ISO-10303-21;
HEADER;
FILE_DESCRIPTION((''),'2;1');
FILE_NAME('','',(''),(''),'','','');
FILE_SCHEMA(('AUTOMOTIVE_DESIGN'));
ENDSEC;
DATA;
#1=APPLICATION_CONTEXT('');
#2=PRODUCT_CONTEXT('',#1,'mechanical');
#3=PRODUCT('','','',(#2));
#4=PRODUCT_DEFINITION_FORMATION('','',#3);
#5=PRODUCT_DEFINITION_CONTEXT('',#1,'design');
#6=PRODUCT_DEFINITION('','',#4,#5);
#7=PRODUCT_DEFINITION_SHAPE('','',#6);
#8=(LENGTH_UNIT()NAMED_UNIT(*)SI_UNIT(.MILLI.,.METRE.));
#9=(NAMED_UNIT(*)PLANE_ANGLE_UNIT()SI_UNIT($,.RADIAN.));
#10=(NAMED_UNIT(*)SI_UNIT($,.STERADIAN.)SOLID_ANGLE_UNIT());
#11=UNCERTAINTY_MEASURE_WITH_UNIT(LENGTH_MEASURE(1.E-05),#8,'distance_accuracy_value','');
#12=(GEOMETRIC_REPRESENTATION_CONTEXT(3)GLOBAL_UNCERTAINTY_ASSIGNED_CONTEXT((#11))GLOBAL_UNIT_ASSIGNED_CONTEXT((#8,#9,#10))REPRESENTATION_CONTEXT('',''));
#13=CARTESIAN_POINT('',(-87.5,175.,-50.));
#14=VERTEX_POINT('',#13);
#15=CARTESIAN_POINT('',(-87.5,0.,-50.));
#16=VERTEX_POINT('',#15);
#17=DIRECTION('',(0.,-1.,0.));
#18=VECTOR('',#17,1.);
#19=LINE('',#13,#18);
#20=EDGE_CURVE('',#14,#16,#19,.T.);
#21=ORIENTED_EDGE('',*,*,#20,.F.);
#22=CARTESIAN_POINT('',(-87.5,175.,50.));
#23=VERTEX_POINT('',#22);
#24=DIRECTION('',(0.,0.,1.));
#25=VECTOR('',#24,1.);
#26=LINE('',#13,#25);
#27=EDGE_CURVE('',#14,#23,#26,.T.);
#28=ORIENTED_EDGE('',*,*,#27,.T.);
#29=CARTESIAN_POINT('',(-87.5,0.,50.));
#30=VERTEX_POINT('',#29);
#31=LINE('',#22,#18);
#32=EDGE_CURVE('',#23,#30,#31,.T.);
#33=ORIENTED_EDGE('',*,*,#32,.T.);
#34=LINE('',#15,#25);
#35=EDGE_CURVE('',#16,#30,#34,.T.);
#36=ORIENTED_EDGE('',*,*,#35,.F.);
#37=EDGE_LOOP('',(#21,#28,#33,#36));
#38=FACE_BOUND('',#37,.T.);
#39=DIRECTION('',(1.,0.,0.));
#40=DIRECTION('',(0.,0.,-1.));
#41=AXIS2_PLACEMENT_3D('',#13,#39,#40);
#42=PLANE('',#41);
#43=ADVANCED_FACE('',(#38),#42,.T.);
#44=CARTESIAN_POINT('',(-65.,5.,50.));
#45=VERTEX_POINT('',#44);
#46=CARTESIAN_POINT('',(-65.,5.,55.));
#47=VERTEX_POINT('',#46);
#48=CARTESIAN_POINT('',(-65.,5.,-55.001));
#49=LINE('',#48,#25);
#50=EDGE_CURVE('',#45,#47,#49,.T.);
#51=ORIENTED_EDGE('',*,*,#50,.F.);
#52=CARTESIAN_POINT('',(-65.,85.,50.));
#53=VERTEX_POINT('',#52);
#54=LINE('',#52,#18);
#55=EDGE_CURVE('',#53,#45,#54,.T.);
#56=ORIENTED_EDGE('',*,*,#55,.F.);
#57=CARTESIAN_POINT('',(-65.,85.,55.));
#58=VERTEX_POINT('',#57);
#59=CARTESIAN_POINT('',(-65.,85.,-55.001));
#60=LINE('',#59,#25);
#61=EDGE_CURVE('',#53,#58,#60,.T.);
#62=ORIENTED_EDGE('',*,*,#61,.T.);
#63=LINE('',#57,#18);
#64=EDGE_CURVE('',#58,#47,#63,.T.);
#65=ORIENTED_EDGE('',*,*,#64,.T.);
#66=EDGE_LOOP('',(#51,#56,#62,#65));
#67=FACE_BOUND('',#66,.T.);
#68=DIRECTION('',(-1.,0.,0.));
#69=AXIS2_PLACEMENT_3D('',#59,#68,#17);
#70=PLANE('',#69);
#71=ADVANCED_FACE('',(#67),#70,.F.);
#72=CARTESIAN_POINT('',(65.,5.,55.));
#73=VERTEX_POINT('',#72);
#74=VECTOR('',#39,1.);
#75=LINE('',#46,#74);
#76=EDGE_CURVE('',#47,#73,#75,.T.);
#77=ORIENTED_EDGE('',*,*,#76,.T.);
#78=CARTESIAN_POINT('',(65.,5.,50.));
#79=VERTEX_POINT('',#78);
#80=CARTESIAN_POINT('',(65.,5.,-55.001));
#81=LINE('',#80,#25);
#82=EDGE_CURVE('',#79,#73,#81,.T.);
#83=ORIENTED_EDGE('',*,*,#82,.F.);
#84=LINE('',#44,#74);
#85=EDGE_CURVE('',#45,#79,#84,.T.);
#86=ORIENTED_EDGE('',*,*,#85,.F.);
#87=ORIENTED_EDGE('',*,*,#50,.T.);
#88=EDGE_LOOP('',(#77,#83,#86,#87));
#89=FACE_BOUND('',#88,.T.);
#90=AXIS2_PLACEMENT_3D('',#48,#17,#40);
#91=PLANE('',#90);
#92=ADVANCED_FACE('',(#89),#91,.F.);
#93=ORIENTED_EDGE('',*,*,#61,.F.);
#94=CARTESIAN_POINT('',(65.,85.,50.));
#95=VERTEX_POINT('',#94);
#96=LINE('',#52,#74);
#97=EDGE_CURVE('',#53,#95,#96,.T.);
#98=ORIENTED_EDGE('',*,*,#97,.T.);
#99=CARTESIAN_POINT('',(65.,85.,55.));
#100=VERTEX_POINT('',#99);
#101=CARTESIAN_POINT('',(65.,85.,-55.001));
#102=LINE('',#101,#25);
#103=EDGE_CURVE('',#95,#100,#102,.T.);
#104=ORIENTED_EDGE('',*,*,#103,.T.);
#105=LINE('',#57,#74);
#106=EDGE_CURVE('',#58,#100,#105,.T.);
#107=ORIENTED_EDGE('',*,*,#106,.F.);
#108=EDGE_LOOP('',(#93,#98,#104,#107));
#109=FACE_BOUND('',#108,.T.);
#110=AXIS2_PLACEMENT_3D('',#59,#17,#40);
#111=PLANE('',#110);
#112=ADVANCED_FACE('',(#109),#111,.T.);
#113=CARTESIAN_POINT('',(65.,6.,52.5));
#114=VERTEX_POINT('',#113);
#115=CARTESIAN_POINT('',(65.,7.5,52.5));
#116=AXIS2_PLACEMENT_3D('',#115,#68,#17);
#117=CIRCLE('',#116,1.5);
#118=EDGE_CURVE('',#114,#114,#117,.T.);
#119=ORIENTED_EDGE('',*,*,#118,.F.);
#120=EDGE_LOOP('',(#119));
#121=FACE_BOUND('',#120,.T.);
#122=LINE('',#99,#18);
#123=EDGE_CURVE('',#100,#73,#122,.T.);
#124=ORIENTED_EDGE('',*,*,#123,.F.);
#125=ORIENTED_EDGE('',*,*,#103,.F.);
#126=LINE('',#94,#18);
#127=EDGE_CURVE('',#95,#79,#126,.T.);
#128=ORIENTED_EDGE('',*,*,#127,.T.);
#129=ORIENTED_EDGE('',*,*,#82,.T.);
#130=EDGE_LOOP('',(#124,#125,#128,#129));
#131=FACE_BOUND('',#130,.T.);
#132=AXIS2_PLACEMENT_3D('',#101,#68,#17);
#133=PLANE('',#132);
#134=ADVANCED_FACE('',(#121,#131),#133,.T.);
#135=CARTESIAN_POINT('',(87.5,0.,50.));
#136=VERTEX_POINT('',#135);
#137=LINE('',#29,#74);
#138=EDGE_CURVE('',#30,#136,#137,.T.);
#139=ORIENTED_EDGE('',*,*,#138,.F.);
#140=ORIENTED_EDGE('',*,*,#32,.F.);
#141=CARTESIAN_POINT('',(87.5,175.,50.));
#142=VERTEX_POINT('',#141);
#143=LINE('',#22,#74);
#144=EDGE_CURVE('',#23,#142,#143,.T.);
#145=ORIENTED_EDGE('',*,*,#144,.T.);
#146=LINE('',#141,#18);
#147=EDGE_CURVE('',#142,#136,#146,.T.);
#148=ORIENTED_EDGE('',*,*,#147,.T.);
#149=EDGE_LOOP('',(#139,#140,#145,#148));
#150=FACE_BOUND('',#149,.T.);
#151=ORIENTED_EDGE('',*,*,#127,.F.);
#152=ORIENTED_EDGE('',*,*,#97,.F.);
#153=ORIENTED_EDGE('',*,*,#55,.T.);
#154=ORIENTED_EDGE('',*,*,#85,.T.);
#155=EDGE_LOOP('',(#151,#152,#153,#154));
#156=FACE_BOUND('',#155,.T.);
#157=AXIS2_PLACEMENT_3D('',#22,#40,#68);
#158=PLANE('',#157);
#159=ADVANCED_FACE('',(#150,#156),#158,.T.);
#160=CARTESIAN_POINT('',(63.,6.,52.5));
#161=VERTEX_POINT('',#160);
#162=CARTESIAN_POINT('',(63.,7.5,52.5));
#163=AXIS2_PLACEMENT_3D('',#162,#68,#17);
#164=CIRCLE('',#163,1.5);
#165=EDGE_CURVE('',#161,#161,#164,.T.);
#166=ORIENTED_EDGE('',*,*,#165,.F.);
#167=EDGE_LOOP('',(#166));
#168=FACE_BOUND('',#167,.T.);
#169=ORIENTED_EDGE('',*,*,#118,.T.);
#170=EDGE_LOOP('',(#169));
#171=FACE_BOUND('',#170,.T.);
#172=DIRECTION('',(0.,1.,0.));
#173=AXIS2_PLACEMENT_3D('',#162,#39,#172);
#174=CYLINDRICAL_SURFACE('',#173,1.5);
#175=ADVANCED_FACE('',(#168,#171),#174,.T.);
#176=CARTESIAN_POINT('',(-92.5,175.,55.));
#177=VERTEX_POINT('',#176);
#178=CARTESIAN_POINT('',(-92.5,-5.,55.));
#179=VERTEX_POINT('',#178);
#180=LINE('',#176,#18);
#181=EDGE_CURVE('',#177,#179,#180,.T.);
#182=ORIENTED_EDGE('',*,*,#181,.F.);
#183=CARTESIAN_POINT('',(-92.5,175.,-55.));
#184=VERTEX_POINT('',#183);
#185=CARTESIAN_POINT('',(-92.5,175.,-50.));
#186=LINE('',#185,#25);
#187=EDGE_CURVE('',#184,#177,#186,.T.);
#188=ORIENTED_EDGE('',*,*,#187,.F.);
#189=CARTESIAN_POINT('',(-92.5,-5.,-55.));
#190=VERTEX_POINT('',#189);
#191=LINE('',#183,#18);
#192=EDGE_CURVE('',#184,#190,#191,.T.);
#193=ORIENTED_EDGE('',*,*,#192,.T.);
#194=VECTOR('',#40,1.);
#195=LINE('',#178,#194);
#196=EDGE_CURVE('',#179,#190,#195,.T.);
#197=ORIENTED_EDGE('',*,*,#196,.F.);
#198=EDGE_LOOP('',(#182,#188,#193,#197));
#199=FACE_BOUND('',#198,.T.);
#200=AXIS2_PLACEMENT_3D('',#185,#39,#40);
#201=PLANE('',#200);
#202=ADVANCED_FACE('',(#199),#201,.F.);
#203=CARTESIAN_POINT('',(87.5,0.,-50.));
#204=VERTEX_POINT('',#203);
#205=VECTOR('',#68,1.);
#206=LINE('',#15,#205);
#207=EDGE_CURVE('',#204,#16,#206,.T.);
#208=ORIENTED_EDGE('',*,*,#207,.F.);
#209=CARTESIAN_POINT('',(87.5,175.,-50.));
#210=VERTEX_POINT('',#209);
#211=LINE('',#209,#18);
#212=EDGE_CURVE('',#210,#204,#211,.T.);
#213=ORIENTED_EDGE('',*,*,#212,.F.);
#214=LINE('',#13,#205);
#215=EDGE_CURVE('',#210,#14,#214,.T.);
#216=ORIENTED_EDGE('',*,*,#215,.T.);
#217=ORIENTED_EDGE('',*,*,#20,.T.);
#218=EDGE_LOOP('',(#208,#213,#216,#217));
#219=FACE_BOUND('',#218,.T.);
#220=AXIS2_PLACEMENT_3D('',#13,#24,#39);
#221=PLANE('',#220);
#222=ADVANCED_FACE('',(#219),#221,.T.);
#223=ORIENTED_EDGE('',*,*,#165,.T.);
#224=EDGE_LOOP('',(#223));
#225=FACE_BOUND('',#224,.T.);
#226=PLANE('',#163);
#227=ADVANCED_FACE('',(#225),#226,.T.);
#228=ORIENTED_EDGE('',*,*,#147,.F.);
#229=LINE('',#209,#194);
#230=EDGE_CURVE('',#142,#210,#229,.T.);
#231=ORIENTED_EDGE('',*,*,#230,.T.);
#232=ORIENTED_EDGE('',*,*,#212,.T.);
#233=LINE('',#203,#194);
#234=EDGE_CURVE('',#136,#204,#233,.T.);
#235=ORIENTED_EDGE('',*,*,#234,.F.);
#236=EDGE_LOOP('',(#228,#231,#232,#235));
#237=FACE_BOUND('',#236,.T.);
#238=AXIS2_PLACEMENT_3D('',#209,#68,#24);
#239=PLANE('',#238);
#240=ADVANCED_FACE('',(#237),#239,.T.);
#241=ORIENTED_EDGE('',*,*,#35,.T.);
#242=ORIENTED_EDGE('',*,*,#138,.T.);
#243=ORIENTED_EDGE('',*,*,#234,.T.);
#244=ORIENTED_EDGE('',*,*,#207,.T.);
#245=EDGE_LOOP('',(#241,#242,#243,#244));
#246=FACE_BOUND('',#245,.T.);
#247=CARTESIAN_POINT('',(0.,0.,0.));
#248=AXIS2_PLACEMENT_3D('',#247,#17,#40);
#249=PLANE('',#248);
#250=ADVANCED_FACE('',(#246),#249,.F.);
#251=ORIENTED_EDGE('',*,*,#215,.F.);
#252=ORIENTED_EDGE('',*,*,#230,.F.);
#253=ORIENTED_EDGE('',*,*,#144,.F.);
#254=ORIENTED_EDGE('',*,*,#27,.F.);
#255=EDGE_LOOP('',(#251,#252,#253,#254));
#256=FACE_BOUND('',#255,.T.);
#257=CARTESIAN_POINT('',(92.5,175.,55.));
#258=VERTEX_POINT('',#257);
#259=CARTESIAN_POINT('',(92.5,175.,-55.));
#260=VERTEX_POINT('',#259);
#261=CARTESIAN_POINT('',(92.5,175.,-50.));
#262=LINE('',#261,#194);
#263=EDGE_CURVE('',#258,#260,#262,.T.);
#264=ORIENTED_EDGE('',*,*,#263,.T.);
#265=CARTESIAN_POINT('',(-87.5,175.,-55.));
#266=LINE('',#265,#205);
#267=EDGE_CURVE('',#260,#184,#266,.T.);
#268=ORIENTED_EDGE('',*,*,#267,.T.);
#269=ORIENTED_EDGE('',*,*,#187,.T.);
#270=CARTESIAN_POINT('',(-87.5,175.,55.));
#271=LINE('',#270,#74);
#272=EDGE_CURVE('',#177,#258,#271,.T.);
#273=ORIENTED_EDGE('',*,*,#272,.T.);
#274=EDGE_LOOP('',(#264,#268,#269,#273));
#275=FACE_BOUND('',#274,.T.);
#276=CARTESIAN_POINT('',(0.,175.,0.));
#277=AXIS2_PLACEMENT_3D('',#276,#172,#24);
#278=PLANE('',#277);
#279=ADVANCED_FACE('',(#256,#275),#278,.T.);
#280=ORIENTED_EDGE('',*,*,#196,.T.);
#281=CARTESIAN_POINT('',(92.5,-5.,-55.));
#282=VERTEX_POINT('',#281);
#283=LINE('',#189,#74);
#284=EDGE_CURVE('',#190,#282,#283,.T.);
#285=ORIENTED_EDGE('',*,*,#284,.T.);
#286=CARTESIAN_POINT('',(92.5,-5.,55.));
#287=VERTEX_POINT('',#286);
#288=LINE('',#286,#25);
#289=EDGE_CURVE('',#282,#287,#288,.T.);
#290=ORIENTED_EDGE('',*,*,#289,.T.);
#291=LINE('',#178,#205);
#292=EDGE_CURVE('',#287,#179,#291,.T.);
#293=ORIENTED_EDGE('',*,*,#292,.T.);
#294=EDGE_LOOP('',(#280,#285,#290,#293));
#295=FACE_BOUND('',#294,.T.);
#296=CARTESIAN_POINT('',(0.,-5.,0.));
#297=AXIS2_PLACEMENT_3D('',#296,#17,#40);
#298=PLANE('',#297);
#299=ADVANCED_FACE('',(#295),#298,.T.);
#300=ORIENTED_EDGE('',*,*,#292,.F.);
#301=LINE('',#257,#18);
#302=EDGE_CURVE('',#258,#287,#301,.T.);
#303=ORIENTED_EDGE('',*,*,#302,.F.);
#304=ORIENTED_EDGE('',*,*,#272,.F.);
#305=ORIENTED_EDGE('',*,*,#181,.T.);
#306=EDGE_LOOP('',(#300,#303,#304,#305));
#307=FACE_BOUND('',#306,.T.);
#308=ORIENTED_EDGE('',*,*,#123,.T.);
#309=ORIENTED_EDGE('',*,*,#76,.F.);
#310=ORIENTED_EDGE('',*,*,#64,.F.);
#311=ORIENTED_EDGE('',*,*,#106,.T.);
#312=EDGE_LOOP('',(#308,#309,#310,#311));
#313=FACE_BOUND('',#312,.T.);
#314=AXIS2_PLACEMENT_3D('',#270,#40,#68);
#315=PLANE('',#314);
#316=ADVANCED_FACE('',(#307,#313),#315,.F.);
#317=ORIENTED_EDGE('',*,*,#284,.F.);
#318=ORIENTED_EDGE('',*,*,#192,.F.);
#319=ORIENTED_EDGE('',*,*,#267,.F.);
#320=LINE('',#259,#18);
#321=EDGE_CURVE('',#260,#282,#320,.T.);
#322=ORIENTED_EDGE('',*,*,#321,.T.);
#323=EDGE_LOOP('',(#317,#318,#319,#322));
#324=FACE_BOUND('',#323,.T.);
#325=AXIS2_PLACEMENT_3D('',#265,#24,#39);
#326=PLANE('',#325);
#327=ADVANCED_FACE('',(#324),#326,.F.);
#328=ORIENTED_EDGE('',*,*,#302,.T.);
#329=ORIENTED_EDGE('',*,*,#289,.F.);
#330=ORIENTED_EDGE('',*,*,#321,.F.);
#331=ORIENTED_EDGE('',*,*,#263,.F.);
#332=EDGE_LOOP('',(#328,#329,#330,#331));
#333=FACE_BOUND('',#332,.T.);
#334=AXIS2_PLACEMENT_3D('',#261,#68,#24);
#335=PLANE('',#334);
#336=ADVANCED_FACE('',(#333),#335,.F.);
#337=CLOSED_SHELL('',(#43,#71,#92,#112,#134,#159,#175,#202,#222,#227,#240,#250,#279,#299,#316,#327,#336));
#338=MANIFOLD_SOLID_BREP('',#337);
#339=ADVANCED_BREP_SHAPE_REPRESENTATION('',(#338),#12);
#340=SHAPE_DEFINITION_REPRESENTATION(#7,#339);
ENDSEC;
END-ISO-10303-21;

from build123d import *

# Parameters (mm, degrees)
SKETCH1_W           = 185
SKETCH1_H           = 110
SKETCH1_W_2         = 175
SKETCH1_H_2         = 100
EXTRUDE_THIN1_DEPTH = 175
SKETCH2_W           = 185
SKETCH2_H           = 110
BOSS_EXTRUDE2_DEPTH = 5
CUT_EXTRUDE2_REACH  = 228.454
SKETCH5_W           = 130
SKETCH5_H           = 80
SKETCH6_R           = 1.5
BOSS_EXTRUDE3_DEPTH = 2


with BuildPart() as part:
    # Sketch1 → Extrude-Thin1 (new body)
    with BuildSketch(Plane(origin=(0, 0, 0), x_dir=(1, 0, 0), z_dir=(0, 1, 0))):
        Rectangle(SKETCH1_W, SKETCH1_H)
        Rectangle(SKETCH1_W_2, SKETCH1_H_2, mode=Mode.SUBTRACT)
    extrude(amount=EXTRUDE_THIN1_DEPTH)

    # Sketch2 → Boss-Extrude2 (add)
    with BuildSketch(Plane.XZ):
        Rectangle(SKETCH2_W, SKETCH2_H)
    extrude(amount=BOSS_EXTRUDE2_DEPTH)

    # Sketch5 → Cut-Extrude2 (cut, up to next)
    with BuildSketch(Plane.XY.offset(55), mode=Mode.PRIVATE) as cut_extrude2_sk1:
        with Locations((0, 45)):
            Rectangle(SKETCH5_W, SKETCH5_H)
    cut_extrude2_tool1 = extrude(cut_extrude2_sk1.sketch, amount=-CUT_EXTRUDE2_REACH, mode=Mode.PRIVATE) & part.part
    add(cut_extrude2_tool1.solids().sort_by_distance((0, 45, 55))[0], mode=Mode.SUBTRACT)

    # Sketch6 → Boss-Extrude3 (add)
    with BuildSketch(Plane.ZY.offset(-65)):
        with Locations(Location((52.5, 7.5, 0), (0, 0, 270))):
            Circle(SKETCH6_R)
    extrude(amount=BOSS_EXTRUDE3_DEPTH)


solid = part.part
